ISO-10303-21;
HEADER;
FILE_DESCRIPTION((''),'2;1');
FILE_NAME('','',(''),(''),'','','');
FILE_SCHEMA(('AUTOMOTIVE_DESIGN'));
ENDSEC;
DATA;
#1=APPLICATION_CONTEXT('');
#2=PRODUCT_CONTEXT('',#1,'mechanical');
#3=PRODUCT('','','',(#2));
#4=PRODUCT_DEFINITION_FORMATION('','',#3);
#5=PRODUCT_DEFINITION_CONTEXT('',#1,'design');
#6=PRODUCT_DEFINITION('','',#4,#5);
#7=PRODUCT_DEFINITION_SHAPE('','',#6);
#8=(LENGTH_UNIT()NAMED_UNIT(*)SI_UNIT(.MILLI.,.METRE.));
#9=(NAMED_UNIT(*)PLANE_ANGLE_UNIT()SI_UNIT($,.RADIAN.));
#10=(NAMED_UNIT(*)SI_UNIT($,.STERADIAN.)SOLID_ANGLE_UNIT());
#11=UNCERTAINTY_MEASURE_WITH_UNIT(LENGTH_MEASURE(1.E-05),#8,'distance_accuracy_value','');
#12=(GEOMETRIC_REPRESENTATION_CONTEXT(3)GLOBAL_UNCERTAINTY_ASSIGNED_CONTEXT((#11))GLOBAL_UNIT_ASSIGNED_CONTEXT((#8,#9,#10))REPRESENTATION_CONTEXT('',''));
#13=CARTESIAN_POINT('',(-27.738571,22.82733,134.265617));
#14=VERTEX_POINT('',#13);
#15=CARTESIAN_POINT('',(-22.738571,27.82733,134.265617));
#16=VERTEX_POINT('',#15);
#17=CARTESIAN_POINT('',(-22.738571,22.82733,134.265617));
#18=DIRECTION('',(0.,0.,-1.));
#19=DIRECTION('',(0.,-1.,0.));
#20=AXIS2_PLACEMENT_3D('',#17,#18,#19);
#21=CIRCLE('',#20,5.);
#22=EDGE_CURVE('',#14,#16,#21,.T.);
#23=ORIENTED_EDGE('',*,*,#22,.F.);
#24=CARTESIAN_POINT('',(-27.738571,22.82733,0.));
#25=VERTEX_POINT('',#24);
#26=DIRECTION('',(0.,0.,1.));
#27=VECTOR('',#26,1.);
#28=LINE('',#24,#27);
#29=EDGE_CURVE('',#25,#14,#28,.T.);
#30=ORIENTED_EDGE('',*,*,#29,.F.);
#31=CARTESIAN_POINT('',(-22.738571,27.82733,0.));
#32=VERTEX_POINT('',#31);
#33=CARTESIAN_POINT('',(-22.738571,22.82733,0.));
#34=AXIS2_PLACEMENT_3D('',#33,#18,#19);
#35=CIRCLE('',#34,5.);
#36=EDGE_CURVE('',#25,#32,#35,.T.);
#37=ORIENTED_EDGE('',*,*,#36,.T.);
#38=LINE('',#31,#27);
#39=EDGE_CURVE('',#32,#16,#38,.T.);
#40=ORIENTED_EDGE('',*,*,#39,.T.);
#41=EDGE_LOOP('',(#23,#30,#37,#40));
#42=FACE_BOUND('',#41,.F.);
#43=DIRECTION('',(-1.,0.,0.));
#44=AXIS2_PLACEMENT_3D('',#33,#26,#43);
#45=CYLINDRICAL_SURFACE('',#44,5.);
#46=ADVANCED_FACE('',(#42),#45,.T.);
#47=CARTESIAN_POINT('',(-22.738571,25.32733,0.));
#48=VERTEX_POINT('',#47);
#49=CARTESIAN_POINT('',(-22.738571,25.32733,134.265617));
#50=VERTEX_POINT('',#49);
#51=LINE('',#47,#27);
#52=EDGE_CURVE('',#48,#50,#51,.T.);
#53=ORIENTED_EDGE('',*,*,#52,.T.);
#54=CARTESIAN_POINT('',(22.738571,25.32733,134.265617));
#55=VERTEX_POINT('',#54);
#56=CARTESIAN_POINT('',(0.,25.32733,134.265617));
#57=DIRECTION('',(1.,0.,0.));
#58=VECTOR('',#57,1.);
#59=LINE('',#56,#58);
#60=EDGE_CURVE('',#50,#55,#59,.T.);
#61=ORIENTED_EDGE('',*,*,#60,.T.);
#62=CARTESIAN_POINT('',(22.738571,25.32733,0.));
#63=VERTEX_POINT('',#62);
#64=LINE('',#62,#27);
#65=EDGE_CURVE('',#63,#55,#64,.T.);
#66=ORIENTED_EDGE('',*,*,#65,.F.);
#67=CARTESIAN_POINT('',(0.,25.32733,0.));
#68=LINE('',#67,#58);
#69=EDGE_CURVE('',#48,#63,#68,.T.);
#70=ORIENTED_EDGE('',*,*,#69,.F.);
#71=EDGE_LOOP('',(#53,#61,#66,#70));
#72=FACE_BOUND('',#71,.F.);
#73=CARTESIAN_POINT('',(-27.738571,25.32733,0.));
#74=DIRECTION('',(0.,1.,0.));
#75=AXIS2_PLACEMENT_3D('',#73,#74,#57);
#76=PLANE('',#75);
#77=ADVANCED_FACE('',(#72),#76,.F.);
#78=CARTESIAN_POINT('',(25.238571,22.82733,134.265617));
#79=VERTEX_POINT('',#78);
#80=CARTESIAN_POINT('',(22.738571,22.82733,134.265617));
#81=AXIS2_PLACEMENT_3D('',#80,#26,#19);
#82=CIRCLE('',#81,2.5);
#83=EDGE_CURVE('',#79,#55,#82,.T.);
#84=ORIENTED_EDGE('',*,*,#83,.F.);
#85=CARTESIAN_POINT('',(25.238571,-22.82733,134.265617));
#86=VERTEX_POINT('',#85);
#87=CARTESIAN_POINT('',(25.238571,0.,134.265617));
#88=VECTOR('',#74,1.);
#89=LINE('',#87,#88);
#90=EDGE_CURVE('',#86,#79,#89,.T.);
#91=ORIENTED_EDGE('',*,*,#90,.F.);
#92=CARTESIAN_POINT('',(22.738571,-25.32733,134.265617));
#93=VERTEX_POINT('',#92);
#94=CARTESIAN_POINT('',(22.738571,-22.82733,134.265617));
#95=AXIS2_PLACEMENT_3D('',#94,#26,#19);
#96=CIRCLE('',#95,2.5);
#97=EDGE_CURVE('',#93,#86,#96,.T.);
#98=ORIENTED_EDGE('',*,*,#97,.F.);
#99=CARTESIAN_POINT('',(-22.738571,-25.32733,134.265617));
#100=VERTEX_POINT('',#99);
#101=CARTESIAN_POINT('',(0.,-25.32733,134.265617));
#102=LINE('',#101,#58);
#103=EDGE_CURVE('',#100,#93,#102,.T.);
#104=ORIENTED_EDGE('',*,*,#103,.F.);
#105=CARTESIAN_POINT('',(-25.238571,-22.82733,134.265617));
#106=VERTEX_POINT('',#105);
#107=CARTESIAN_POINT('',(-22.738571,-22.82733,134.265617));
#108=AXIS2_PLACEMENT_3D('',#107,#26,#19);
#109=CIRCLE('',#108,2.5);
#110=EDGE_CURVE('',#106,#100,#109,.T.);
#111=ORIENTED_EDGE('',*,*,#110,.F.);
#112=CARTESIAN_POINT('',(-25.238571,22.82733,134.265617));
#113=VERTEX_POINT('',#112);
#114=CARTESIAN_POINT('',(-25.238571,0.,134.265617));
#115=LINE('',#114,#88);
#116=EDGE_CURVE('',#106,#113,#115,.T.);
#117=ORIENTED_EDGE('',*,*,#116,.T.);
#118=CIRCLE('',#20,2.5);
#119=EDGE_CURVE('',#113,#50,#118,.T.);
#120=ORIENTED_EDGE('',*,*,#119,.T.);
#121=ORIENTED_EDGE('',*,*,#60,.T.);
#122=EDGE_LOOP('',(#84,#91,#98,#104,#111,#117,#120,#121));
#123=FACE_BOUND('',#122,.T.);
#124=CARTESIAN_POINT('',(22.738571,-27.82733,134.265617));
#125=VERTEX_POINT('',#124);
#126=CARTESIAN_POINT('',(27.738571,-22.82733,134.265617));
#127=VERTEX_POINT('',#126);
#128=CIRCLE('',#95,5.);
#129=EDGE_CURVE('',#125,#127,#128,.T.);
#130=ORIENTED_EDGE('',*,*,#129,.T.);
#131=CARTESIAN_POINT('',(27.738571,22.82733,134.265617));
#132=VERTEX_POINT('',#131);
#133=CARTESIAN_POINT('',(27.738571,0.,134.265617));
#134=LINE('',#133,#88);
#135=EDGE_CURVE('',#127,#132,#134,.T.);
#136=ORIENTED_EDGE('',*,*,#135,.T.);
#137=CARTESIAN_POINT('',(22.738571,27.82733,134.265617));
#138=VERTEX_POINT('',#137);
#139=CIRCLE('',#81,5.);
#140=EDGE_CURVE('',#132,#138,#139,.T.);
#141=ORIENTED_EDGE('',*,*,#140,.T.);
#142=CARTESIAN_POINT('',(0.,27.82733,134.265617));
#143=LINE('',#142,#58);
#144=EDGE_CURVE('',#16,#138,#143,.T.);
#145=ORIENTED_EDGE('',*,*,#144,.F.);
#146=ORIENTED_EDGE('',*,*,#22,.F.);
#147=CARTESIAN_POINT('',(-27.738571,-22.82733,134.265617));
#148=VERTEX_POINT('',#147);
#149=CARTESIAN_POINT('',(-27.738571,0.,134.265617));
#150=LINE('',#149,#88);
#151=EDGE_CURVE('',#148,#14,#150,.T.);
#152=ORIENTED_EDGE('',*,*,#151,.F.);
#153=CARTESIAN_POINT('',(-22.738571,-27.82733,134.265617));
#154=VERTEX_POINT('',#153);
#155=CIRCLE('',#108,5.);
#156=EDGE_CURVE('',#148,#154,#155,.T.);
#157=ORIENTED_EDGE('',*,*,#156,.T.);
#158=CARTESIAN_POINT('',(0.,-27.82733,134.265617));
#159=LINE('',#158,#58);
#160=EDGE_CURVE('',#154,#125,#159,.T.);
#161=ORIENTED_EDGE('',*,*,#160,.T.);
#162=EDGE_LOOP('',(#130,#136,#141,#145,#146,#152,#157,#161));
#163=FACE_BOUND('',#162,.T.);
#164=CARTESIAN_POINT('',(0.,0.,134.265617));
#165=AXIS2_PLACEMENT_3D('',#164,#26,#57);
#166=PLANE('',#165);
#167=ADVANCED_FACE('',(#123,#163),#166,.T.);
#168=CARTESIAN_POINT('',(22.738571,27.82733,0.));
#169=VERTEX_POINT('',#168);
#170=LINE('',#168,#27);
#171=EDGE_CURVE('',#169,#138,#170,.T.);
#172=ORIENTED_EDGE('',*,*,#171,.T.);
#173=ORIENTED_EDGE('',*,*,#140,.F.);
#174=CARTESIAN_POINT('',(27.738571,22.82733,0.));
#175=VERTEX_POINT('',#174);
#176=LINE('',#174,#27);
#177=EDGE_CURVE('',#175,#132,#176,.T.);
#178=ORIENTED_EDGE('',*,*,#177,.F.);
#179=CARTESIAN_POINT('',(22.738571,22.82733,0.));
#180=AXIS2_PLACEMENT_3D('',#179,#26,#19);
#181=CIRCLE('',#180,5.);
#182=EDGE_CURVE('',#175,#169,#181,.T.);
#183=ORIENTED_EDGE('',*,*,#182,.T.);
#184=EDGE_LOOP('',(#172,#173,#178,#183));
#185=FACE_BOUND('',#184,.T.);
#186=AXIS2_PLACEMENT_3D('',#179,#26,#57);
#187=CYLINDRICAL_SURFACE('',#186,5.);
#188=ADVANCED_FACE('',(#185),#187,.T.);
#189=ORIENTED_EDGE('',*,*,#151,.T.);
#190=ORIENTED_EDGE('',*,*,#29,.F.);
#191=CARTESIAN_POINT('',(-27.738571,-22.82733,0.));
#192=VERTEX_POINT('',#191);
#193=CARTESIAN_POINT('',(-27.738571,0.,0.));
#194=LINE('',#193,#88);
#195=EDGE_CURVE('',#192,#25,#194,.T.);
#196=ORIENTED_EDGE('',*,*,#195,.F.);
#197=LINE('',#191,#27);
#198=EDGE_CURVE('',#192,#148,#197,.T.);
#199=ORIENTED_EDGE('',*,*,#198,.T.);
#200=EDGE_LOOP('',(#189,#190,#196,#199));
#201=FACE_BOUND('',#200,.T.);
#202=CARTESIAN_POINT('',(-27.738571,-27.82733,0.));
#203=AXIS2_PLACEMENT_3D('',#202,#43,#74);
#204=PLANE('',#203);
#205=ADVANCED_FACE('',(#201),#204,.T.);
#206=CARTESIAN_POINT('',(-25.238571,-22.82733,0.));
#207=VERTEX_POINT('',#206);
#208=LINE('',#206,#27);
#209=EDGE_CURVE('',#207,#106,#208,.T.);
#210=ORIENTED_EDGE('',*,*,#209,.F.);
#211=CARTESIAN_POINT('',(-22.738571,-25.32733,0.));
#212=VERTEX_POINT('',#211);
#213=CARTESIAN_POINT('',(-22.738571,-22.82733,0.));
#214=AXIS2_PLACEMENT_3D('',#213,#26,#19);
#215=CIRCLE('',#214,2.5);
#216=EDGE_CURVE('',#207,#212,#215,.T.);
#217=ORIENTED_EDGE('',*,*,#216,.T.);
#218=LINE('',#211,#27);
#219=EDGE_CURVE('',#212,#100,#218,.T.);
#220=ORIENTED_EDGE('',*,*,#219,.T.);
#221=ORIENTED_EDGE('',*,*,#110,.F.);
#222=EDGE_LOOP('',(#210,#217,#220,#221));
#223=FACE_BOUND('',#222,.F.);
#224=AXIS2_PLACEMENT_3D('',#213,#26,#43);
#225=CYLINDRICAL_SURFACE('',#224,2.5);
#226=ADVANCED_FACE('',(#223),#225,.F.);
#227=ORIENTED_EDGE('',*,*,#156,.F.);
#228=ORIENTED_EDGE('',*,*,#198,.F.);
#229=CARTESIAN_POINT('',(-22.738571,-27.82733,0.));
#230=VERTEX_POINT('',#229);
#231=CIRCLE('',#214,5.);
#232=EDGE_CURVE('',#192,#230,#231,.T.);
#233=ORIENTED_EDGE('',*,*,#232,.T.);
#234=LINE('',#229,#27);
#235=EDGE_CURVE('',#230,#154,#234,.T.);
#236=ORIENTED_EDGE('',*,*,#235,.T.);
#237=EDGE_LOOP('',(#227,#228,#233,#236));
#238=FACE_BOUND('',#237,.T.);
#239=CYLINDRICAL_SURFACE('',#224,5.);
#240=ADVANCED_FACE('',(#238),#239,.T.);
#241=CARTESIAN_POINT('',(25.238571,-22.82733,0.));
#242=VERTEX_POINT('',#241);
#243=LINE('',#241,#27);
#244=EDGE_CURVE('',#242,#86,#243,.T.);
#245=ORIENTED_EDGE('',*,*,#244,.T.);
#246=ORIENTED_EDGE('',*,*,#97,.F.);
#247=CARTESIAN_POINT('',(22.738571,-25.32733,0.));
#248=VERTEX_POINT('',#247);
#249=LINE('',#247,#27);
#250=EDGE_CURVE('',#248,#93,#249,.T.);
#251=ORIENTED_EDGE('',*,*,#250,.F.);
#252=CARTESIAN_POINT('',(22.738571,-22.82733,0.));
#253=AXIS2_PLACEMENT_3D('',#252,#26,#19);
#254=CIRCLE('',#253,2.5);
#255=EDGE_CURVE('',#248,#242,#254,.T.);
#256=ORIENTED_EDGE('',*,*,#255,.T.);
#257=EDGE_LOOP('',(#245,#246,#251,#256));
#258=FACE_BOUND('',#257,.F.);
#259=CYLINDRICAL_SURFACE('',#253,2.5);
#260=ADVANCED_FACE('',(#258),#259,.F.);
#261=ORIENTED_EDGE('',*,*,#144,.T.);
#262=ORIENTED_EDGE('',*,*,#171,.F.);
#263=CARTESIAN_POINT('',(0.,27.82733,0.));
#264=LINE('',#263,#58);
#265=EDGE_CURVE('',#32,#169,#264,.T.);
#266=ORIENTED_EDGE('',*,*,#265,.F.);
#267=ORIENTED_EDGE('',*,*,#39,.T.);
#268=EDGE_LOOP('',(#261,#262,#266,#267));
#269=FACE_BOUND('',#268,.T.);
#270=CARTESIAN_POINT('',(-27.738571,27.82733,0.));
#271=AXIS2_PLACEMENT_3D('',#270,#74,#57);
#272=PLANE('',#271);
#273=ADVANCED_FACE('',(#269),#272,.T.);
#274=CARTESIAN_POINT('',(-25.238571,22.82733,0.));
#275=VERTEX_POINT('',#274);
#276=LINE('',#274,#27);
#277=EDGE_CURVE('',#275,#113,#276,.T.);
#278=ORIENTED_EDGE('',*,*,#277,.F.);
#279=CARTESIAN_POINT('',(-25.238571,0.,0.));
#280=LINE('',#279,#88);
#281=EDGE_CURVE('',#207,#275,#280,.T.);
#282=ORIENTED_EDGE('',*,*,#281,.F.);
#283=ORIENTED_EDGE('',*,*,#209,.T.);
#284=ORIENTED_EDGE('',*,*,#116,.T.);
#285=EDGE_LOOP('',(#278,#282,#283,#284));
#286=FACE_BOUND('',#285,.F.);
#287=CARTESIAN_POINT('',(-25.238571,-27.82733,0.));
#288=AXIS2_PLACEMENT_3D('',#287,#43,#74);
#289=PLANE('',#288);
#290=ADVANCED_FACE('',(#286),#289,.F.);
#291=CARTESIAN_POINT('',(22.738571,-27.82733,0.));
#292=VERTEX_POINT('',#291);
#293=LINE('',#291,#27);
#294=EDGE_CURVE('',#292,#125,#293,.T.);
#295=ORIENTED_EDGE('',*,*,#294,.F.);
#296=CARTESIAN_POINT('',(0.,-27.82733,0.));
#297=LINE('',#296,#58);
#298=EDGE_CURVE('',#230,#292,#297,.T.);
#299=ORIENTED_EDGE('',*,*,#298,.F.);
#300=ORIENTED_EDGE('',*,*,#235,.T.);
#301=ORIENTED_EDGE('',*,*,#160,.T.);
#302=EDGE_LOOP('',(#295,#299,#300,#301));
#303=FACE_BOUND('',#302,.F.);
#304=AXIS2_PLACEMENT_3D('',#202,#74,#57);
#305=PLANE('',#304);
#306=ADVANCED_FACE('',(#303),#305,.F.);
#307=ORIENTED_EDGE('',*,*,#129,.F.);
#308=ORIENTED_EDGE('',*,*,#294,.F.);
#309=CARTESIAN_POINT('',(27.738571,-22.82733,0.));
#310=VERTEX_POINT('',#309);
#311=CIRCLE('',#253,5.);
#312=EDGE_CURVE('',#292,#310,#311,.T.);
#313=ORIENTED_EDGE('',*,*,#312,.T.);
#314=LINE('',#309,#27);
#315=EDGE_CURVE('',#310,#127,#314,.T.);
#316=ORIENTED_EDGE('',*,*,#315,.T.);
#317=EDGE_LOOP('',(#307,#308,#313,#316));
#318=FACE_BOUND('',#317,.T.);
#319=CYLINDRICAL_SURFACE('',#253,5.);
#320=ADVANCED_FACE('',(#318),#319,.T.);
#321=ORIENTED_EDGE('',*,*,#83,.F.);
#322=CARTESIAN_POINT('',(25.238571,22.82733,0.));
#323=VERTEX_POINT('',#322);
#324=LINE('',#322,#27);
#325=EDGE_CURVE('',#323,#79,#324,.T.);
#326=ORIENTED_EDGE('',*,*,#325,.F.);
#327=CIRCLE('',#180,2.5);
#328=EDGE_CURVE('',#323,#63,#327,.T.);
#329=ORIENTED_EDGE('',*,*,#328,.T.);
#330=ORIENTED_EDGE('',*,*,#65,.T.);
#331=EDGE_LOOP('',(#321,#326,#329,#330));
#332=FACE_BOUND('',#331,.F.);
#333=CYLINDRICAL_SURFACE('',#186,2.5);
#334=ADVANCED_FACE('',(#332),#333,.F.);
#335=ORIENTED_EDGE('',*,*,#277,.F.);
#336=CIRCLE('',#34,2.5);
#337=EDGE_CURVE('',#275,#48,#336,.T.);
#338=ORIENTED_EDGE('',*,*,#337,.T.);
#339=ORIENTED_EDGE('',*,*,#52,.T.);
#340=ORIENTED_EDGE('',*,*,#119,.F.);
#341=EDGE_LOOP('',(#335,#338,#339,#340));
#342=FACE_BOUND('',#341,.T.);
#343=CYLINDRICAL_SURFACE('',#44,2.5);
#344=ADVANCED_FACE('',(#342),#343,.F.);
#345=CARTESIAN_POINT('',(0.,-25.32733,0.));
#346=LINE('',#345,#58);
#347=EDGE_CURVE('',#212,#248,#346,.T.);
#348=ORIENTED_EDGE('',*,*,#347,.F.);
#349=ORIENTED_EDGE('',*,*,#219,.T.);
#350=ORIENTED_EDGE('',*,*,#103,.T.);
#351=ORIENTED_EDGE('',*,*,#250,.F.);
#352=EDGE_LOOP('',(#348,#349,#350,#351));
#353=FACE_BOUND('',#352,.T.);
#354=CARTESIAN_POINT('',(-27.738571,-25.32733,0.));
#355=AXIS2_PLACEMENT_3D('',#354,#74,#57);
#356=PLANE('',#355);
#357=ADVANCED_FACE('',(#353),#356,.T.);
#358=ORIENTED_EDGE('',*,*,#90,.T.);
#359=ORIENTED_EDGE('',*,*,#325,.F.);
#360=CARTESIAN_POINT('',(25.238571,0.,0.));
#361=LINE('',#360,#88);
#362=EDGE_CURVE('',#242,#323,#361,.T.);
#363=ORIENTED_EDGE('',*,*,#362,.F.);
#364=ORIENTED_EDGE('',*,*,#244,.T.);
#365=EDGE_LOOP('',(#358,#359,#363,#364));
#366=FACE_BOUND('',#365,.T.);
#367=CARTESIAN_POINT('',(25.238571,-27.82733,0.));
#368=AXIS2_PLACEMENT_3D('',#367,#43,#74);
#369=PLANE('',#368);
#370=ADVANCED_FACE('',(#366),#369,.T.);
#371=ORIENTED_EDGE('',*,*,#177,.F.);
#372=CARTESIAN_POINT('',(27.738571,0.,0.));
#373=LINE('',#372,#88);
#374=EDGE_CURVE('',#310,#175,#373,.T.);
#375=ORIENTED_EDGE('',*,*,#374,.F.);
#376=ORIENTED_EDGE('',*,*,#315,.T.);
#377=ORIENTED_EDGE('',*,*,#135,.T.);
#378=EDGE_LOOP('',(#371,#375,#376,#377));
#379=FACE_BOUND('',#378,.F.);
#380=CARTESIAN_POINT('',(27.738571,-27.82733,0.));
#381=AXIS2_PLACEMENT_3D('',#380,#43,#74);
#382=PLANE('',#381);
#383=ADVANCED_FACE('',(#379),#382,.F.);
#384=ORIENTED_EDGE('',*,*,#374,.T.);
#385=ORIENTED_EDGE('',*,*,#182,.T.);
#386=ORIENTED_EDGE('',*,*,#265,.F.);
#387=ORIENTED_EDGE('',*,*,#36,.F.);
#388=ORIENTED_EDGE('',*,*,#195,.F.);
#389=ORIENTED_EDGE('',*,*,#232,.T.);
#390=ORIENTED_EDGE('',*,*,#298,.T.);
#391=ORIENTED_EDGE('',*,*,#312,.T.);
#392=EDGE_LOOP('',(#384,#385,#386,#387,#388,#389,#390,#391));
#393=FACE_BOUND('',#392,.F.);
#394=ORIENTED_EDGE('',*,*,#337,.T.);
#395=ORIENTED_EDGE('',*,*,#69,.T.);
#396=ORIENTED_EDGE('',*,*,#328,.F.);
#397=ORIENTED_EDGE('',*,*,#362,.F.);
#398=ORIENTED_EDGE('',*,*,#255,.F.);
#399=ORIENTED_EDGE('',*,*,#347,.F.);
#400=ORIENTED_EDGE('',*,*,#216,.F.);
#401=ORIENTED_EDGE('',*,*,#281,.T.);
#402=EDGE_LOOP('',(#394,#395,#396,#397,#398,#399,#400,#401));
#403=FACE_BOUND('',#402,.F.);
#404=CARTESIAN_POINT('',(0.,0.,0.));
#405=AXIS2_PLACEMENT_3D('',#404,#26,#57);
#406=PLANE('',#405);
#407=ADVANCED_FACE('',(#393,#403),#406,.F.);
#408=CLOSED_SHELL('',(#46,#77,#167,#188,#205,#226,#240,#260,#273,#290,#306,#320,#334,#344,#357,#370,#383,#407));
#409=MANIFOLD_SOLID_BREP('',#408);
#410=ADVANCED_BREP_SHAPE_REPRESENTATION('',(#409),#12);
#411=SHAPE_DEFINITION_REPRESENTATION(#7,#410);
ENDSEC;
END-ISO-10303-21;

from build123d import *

# Parameters (mm, degrees)
F0_W     = 55.477142
F0_H     = 55.65466
F1_DEPTH = 134.265617
F2_R     = 5
F3_T     = -2.5


with BuildPart() as f1:
    # F0 (on Top) → F1 (new body)
    with BuildSketch(Plane.XY):
        Rectangle(F0_W, F0_H)
    extrude(amount=F1_DEPTH)

    # F2
    f2_edges = [f1.edges().sort_by_distance(p)[0] for p in [
        (27.738571, -27.82733, 67.132808),
        (27.738571, 27.82733, 67.132808),
        (-27.738571, -27.82733, 67.132808),
        (-27.738571, 27.82733, 67.132808),
    ]]
    fillet(f2_edges, radius=F2_R)

    # F3
    f3_openings = [f1.faces().sort_by_distance(p)[0] for p in [
        (0, 0, 134.265617),
        (0, 0, 0),
    ]]
    offset(amount=F3_T, openings=f3_openings)


solid = f1.part
